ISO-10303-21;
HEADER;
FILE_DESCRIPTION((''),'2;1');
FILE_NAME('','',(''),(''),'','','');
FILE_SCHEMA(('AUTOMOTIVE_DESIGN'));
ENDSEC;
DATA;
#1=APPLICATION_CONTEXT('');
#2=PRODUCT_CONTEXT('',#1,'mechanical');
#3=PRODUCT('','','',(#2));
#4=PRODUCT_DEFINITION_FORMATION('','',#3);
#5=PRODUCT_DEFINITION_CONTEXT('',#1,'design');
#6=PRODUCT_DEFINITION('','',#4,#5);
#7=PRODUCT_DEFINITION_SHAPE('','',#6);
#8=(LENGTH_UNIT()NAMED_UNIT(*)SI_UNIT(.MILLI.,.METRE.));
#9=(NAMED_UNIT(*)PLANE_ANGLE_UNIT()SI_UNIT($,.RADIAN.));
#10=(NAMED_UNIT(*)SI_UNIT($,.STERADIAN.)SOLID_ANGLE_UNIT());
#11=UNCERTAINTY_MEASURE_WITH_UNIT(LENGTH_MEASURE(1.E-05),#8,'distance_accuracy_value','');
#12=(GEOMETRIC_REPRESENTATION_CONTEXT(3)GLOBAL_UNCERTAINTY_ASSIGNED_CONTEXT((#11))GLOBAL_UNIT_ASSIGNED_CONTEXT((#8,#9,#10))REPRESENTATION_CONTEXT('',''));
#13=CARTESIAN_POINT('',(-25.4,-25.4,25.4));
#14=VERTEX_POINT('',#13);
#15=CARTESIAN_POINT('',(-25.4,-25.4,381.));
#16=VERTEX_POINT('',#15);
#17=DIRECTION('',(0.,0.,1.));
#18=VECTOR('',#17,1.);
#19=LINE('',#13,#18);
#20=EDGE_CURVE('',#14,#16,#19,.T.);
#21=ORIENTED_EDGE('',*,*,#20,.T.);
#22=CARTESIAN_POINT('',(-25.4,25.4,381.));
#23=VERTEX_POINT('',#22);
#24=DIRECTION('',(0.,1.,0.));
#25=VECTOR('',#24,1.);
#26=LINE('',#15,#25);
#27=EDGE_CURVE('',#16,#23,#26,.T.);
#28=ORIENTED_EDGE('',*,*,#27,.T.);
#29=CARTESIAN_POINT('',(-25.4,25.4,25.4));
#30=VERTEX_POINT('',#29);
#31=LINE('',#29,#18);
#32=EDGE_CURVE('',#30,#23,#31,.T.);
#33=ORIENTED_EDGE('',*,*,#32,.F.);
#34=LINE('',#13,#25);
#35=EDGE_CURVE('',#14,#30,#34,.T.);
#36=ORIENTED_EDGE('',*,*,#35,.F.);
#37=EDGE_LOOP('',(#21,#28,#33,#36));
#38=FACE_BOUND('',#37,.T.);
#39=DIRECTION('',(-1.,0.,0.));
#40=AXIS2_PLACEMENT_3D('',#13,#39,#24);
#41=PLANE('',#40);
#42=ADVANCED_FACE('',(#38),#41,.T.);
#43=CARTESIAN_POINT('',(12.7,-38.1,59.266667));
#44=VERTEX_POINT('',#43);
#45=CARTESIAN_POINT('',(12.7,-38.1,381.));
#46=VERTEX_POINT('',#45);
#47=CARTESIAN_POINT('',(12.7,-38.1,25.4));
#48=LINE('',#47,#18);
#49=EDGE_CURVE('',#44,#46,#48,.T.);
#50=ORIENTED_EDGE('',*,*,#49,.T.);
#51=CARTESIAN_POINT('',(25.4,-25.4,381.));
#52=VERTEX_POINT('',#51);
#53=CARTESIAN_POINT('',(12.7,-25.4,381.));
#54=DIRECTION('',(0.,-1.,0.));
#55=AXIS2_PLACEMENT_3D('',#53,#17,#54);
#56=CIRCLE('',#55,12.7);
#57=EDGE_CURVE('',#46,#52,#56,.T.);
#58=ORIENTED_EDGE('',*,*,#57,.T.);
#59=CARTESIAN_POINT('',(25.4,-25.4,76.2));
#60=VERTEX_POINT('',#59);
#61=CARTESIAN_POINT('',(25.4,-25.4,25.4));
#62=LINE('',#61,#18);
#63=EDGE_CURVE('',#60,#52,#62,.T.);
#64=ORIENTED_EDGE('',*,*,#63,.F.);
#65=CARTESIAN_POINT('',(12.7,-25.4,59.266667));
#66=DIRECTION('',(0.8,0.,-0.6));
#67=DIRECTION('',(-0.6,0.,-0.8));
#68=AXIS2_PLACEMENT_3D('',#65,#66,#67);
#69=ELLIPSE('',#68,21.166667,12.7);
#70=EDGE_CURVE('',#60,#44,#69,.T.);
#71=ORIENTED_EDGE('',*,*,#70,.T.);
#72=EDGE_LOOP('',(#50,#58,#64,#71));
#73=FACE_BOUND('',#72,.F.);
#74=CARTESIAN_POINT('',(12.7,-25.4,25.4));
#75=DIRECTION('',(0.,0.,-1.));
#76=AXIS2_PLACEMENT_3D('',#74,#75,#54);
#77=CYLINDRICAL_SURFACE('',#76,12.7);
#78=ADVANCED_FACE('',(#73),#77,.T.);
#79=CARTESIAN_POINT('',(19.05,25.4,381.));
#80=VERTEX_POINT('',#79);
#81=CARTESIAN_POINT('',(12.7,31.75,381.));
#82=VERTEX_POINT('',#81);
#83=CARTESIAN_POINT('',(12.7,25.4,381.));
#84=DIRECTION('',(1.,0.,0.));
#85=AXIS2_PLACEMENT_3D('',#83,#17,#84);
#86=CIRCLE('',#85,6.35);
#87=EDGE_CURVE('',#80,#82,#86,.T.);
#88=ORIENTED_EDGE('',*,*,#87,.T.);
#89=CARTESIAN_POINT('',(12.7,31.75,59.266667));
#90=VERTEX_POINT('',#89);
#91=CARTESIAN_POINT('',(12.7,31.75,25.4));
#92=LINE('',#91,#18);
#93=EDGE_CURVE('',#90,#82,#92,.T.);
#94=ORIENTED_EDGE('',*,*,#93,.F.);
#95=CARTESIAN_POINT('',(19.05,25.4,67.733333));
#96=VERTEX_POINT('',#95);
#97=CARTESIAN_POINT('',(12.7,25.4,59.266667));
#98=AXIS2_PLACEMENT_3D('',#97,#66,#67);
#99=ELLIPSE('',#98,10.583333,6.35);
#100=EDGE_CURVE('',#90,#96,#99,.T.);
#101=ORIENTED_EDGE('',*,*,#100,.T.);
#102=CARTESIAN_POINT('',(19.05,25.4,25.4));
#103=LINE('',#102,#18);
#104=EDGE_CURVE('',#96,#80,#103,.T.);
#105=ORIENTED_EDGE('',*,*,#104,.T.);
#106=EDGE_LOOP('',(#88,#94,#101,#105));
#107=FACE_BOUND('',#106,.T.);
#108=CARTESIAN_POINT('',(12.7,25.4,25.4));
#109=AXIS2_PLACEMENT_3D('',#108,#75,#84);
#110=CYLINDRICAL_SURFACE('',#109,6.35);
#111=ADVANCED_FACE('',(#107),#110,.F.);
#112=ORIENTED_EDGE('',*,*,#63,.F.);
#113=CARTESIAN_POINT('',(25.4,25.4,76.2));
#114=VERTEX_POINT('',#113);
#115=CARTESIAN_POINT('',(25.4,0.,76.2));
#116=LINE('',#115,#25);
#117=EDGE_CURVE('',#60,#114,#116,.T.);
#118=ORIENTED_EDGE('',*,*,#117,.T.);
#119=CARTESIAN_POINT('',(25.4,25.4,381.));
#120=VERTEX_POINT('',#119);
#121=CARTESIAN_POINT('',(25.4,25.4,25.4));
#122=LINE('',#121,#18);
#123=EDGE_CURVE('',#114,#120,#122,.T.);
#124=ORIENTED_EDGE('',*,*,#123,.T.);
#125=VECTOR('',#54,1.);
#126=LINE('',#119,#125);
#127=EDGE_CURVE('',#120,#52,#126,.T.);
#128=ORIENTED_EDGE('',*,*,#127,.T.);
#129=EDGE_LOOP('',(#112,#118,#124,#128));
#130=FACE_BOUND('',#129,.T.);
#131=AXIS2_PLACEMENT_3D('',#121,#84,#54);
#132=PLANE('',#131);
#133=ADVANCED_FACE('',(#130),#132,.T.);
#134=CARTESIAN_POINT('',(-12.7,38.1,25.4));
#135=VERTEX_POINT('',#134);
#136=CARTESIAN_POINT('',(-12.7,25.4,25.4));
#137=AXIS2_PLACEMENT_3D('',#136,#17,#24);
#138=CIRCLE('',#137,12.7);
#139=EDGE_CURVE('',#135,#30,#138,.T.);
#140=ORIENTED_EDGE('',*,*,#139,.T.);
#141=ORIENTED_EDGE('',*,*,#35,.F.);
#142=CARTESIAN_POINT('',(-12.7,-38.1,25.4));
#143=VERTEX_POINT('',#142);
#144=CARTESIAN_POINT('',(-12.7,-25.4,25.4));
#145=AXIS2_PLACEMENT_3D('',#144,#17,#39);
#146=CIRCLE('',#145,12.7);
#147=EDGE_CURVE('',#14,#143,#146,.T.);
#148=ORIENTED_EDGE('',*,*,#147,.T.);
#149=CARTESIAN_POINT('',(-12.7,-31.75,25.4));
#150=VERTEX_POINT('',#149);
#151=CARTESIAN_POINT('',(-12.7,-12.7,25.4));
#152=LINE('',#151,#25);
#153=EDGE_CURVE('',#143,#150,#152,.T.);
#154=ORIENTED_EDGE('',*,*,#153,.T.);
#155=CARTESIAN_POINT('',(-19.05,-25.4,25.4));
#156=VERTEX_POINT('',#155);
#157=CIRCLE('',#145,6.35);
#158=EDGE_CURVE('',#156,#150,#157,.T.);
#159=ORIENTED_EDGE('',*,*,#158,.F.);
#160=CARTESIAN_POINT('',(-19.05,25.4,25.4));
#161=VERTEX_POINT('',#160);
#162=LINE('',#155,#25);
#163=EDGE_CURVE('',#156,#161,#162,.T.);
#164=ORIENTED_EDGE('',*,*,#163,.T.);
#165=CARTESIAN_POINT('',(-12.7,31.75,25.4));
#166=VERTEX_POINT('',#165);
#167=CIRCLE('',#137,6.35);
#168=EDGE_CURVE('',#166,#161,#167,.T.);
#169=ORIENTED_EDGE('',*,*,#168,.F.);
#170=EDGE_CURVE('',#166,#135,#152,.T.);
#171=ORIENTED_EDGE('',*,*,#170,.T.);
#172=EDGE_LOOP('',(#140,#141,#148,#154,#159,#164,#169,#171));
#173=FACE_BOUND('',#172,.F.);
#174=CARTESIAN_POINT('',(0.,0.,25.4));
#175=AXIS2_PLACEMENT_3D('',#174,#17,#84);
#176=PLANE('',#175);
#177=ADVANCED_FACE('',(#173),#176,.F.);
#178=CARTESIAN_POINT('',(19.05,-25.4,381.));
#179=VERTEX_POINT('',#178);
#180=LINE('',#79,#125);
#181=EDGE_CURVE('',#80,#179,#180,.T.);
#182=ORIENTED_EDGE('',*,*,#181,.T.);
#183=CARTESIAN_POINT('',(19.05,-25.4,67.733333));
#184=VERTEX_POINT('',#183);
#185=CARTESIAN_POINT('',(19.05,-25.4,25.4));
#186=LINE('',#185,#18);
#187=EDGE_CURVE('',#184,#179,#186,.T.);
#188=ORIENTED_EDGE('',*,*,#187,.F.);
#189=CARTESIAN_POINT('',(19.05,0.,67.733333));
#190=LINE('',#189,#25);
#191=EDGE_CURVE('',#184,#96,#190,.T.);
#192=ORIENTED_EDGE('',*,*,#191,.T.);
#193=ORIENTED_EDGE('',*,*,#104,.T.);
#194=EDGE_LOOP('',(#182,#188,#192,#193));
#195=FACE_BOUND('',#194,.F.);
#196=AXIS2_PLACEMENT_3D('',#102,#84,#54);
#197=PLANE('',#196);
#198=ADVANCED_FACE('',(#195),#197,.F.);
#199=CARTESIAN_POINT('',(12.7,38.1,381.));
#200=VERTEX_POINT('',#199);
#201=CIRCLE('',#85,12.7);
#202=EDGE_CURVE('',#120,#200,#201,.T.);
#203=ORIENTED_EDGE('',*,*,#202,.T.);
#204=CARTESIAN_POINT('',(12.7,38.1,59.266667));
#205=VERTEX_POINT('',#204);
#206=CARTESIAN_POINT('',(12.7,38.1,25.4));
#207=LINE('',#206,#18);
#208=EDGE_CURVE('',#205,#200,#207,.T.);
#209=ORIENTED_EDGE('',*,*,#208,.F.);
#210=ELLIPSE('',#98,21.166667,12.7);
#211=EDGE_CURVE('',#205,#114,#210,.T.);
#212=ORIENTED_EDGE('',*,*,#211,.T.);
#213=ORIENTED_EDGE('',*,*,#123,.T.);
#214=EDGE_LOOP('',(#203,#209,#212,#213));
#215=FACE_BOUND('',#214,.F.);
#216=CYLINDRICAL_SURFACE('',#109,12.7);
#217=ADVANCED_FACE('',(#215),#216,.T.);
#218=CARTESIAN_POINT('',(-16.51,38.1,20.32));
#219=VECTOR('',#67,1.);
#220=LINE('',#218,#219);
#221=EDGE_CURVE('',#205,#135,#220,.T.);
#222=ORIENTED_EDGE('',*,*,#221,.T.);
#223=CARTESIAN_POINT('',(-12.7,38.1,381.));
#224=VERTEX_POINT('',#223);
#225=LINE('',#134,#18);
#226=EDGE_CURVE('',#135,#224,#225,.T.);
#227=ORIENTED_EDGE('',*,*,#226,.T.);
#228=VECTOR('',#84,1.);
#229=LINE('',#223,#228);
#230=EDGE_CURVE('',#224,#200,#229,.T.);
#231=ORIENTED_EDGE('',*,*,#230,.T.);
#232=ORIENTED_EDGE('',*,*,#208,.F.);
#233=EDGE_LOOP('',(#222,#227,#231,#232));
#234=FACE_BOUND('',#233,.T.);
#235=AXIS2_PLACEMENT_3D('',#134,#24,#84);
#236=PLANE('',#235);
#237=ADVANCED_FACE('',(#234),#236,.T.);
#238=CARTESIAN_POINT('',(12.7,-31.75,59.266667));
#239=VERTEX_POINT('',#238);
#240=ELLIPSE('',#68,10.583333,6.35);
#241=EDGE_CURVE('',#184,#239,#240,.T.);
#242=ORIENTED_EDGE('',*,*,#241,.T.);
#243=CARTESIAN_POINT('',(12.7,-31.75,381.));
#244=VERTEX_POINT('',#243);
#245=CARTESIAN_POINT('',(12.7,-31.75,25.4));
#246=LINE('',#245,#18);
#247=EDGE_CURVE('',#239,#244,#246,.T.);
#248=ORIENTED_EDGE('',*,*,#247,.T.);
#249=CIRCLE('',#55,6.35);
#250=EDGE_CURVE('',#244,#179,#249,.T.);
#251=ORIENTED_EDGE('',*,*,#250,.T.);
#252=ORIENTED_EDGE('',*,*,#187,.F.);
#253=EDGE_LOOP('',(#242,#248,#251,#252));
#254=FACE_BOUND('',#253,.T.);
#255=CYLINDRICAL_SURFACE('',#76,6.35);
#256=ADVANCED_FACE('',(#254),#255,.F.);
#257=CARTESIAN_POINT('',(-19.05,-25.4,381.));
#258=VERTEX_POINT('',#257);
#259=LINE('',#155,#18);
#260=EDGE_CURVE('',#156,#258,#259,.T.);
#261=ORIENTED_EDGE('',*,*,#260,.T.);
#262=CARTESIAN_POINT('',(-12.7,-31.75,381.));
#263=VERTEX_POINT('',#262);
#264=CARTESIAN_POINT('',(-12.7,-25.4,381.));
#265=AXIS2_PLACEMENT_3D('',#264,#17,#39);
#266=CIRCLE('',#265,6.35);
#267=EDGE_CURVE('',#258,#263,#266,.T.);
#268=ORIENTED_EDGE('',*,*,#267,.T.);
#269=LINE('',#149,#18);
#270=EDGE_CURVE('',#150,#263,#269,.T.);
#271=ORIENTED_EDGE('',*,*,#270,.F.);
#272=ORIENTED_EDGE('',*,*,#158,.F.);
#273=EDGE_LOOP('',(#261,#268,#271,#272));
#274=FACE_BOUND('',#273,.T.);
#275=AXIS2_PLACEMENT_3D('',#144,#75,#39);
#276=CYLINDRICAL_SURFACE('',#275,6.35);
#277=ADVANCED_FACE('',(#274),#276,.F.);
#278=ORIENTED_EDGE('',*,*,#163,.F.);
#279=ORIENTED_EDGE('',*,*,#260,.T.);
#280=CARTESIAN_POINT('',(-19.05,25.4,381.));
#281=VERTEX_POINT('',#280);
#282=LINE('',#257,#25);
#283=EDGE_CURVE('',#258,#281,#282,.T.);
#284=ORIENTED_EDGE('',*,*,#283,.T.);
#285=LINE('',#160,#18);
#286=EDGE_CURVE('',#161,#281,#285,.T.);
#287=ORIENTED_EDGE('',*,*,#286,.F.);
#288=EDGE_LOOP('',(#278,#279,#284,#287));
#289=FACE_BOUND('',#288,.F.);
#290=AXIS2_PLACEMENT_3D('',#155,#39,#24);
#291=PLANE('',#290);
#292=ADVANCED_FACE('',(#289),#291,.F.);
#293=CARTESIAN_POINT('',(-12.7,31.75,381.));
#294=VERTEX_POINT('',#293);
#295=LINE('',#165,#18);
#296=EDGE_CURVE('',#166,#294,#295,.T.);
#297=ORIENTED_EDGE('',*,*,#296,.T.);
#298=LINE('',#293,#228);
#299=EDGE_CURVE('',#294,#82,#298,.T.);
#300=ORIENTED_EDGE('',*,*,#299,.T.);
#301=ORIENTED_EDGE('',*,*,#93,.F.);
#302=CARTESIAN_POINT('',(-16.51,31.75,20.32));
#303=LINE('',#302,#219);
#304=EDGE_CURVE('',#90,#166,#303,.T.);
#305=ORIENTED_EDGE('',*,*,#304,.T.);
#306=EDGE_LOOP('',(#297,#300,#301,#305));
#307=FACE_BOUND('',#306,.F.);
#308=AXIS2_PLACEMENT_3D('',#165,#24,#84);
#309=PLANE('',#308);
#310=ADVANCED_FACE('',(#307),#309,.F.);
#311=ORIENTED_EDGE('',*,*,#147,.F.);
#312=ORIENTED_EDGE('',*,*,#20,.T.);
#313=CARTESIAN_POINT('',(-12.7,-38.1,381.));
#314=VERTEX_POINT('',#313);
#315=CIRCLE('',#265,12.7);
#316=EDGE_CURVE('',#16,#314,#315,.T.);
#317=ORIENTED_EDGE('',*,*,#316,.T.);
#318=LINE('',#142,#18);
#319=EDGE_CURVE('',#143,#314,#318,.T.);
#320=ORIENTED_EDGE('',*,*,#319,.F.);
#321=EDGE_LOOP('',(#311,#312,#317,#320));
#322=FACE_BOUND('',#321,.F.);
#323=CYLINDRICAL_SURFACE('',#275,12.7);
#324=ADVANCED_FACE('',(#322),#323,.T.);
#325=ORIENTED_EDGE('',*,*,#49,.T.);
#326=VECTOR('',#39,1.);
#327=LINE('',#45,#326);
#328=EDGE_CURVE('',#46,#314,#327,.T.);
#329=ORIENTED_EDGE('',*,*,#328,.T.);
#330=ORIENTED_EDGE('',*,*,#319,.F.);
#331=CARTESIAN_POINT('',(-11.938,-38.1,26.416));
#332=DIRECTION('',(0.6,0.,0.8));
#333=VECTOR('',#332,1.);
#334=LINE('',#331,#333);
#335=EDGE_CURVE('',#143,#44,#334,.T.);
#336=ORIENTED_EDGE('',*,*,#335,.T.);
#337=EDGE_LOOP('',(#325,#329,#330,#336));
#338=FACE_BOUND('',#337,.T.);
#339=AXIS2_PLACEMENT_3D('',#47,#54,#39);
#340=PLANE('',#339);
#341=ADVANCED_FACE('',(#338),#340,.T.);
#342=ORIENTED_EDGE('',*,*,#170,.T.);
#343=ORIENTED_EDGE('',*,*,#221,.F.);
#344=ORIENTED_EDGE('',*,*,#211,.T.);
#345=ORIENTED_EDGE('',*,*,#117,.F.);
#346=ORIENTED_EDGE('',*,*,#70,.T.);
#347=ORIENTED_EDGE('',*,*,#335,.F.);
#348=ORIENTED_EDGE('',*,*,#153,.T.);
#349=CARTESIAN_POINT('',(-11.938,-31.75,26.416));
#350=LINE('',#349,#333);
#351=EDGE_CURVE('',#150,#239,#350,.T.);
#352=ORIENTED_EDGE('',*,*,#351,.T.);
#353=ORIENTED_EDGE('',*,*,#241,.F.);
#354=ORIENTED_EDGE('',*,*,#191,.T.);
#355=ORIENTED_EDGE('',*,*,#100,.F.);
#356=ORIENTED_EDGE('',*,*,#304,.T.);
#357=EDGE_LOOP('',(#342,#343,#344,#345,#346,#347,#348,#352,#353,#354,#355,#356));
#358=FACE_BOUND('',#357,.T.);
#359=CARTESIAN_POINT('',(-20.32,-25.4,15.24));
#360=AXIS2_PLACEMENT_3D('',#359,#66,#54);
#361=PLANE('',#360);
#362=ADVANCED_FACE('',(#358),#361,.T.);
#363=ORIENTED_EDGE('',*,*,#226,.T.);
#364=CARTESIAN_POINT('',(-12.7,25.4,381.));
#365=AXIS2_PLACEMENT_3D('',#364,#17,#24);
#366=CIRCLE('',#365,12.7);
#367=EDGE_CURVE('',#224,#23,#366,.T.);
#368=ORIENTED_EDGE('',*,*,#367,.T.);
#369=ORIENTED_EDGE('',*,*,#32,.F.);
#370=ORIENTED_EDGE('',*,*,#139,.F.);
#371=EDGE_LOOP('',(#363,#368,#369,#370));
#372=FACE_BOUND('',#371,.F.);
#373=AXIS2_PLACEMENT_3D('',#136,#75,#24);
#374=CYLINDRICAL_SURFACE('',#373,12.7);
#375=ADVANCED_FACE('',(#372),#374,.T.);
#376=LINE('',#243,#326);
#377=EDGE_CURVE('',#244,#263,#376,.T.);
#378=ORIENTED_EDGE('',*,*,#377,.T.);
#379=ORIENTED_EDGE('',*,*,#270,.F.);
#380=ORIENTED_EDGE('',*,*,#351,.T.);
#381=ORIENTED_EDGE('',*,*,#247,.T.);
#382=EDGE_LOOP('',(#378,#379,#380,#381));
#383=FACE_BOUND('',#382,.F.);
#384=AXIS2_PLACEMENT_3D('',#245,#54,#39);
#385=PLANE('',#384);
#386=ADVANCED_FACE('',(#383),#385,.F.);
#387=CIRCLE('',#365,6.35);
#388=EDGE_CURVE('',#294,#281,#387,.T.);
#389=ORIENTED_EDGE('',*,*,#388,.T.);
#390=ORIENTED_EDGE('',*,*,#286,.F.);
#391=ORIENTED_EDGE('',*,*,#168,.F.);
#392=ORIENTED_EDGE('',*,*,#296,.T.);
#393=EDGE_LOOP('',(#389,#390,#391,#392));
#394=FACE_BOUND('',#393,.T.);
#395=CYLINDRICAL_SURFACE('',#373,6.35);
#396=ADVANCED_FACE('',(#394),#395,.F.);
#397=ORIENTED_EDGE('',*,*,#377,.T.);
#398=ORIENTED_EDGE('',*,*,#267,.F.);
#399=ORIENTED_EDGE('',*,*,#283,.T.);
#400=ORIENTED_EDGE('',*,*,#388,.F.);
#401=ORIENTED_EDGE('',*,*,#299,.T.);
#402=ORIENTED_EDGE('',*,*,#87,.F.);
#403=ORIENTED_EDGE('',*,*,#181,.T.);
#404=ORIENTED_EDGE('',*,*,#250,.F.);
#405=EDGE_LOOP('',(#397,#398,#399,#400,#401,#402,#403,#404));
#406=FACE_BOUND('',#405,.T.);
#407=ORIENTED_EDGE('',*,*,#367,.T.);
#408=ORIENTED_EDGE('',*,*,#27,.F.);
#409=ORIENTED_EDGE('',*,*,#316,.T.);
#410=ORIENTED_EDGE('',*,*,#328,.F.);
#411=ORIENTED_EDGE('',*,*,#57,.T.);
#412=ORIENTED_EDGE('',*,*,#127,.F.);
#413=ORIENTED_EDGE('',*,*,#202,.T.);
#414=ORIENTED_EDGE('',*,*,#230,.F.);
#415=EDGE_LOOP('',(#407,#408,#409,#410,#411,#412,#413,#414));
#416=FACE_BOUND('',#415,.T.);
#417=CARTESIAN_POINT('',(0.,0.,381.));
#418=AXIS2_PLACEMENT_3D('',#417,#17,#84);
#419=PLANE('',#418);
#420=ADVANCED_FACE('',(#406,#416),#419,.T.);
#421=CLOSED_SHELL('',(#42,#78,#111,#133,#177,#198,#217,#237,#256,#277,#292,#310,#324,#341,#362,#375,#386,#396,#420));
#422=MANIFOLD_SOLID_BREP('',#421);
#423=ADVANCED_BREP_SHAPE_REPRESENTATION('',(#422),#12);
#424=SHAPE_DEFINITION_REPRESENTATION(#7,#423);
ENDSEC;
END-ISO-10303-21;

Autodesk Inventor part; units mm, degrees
ref_plane "Start Plane" through (0, 0, 25.4) normal (0, 0, 1) x (1, 0, 0)
ref_plane "End Plane" through (0, 0, 381) normal (0, 0, 1) x (1, 0, 0)
sketch "Sketch" plane through (0, 0, 0) normal (0, 0, 1) x (1, 0, 0)
  line L0 (-25.4, -25.4) -> (-25.4, 25.4)
  line L1 (-12.7, 38.1) -> (12.7, 38.1)
  line L2 (25.4, 25.4) -> (25.4, -25.4)
  line L3 (12.7, -38.1) -> (-12.7, -38.1)
  arc A0 (-25.4, -25.4) -> (-12.7, -38.1) centre (-12.7, -25.4) ccw
  arc A1 (-12.7, 38.1) -> (-25.4, 25.4) centre (-12.7, 25.4) ccw
  arc A2 (25.4, 25.4) -> (12.7, 38.1) centre (12.7, 25.4) ccw
  arc A3 (12.7, -38.1) -> (25.4, -25.4) centre (12.7, -25.4) ccw
  arc A4 (-12.7, 31.75) -> (-19.05, 25.4) centre (-12.7, 25.4) ccw
  line L4 (-12.7, 31.75) -> (12.7, 31.75)
  arc A5 (19.05, 25.4) -> (12.7, 31.75) centre (12.7, 25.4) ccw
  line L5 (19.05, 25.4) -> (19.05, -25.4)
  arc A6 (12.7, -31.75) -> (19.05, -25.4) centre (12.7, -25.4) ccw
  line L6 (12.7, -31.75) -> (-12.7, -31.75)
  arc A7 (-19.05, -25.4) -> (-12.7, -31.75) centre (-12.7, -25.4) ccw
  line L7 (-19.05, -25.4) -> (-19.05, 25.4)
  line L8 (0, 57.0224) -> (0, -57.0224) construction
  line L9 (-39.2424, 0) -> (39.2424, 0) construction
  dimension "d10" = 76.2
  dimension "d11" = 50.8
  dimension "d12" = 6.35
  dimension "d15" = 38.1
  dimension "d16" = 25.4
  dimension "d17" = 12.7
extrude "Body" add sketch "Sketch" along normal up to surface (355.6 mm away) from surface at 25.4
sketch "Sketch3" plane through (0, 0, 0) normal (0, 0, 1) x (1, 0, 0)
  line L0 (0, 0) -> (10, 0)
ref_plane "Work Plane3" through (0, 0, 0) normal (0, -1, 0) x (1, 0, 0)
ref_plane "Work Plane4" through (304.8, -25.4, 381) normal (0, 0, 1) x (1, 0, 0)
split "Split1" plane through (304.8, -25.4, 381) removes the side toward (0, 0, 1)
ref_plane "Work Plane5" through (-609.6, -25.4, 25.4) normal (0, 0, -1) x (-1, 0, 0)
split "Split2" plane through (-609.6, -25.4, 25.4) removes the side toward (0, 0, -1)
ref_plane "Work Plane6" through (-20.32, -25.4, 15.24) normal (0.8, 0, -0.6) x (-0.6, 0, -0.8)
split "Split3" plane through (-20.32, -25.4, 15.24) removes the side toward (0.8, 0, -0.6)
sketch "Sketch4" plane through (0, 0, 0) normal (0, -1, 0) x (1, 0, 0)
  line L0 (-2, 25.4) -> (12, 25.4) projected
  line L1 (-2, 381) -> (12, 381) projected
  dimension "d19" = 355.6
equation "\"d10\" = G_H"
equation "\"d11\" = G_W"
equation "\"d12\" = G_T"
equation "\"d15\" = 0.5 * d10"
equation "\"d16\" = 0.5 * d11"
equation "\"d17\" = G_IR"
equation "\"d3\" = G_L"
equation "\"G_W\" = 50.8"
equation "\"G_H\" = 76.2"
equation "\"G_T\" = 6.35"
equation "\"G_IR\" = 12.7"
equation "\"G_L\" = d19"
equation "\"G_OFFSET_START\" = -25.4"
equation "\"G_OFFSET_END\" = -25.4"
equation "\"d13\" = -G_OFFSET_START"
equation "\"d14\" = G_OFFSET_END + B_L"
equation "\"B_L\" = 406.4"
properties part number "AISC - 3 x 2 x 1/4 - 14" material "Steel, Mild"
